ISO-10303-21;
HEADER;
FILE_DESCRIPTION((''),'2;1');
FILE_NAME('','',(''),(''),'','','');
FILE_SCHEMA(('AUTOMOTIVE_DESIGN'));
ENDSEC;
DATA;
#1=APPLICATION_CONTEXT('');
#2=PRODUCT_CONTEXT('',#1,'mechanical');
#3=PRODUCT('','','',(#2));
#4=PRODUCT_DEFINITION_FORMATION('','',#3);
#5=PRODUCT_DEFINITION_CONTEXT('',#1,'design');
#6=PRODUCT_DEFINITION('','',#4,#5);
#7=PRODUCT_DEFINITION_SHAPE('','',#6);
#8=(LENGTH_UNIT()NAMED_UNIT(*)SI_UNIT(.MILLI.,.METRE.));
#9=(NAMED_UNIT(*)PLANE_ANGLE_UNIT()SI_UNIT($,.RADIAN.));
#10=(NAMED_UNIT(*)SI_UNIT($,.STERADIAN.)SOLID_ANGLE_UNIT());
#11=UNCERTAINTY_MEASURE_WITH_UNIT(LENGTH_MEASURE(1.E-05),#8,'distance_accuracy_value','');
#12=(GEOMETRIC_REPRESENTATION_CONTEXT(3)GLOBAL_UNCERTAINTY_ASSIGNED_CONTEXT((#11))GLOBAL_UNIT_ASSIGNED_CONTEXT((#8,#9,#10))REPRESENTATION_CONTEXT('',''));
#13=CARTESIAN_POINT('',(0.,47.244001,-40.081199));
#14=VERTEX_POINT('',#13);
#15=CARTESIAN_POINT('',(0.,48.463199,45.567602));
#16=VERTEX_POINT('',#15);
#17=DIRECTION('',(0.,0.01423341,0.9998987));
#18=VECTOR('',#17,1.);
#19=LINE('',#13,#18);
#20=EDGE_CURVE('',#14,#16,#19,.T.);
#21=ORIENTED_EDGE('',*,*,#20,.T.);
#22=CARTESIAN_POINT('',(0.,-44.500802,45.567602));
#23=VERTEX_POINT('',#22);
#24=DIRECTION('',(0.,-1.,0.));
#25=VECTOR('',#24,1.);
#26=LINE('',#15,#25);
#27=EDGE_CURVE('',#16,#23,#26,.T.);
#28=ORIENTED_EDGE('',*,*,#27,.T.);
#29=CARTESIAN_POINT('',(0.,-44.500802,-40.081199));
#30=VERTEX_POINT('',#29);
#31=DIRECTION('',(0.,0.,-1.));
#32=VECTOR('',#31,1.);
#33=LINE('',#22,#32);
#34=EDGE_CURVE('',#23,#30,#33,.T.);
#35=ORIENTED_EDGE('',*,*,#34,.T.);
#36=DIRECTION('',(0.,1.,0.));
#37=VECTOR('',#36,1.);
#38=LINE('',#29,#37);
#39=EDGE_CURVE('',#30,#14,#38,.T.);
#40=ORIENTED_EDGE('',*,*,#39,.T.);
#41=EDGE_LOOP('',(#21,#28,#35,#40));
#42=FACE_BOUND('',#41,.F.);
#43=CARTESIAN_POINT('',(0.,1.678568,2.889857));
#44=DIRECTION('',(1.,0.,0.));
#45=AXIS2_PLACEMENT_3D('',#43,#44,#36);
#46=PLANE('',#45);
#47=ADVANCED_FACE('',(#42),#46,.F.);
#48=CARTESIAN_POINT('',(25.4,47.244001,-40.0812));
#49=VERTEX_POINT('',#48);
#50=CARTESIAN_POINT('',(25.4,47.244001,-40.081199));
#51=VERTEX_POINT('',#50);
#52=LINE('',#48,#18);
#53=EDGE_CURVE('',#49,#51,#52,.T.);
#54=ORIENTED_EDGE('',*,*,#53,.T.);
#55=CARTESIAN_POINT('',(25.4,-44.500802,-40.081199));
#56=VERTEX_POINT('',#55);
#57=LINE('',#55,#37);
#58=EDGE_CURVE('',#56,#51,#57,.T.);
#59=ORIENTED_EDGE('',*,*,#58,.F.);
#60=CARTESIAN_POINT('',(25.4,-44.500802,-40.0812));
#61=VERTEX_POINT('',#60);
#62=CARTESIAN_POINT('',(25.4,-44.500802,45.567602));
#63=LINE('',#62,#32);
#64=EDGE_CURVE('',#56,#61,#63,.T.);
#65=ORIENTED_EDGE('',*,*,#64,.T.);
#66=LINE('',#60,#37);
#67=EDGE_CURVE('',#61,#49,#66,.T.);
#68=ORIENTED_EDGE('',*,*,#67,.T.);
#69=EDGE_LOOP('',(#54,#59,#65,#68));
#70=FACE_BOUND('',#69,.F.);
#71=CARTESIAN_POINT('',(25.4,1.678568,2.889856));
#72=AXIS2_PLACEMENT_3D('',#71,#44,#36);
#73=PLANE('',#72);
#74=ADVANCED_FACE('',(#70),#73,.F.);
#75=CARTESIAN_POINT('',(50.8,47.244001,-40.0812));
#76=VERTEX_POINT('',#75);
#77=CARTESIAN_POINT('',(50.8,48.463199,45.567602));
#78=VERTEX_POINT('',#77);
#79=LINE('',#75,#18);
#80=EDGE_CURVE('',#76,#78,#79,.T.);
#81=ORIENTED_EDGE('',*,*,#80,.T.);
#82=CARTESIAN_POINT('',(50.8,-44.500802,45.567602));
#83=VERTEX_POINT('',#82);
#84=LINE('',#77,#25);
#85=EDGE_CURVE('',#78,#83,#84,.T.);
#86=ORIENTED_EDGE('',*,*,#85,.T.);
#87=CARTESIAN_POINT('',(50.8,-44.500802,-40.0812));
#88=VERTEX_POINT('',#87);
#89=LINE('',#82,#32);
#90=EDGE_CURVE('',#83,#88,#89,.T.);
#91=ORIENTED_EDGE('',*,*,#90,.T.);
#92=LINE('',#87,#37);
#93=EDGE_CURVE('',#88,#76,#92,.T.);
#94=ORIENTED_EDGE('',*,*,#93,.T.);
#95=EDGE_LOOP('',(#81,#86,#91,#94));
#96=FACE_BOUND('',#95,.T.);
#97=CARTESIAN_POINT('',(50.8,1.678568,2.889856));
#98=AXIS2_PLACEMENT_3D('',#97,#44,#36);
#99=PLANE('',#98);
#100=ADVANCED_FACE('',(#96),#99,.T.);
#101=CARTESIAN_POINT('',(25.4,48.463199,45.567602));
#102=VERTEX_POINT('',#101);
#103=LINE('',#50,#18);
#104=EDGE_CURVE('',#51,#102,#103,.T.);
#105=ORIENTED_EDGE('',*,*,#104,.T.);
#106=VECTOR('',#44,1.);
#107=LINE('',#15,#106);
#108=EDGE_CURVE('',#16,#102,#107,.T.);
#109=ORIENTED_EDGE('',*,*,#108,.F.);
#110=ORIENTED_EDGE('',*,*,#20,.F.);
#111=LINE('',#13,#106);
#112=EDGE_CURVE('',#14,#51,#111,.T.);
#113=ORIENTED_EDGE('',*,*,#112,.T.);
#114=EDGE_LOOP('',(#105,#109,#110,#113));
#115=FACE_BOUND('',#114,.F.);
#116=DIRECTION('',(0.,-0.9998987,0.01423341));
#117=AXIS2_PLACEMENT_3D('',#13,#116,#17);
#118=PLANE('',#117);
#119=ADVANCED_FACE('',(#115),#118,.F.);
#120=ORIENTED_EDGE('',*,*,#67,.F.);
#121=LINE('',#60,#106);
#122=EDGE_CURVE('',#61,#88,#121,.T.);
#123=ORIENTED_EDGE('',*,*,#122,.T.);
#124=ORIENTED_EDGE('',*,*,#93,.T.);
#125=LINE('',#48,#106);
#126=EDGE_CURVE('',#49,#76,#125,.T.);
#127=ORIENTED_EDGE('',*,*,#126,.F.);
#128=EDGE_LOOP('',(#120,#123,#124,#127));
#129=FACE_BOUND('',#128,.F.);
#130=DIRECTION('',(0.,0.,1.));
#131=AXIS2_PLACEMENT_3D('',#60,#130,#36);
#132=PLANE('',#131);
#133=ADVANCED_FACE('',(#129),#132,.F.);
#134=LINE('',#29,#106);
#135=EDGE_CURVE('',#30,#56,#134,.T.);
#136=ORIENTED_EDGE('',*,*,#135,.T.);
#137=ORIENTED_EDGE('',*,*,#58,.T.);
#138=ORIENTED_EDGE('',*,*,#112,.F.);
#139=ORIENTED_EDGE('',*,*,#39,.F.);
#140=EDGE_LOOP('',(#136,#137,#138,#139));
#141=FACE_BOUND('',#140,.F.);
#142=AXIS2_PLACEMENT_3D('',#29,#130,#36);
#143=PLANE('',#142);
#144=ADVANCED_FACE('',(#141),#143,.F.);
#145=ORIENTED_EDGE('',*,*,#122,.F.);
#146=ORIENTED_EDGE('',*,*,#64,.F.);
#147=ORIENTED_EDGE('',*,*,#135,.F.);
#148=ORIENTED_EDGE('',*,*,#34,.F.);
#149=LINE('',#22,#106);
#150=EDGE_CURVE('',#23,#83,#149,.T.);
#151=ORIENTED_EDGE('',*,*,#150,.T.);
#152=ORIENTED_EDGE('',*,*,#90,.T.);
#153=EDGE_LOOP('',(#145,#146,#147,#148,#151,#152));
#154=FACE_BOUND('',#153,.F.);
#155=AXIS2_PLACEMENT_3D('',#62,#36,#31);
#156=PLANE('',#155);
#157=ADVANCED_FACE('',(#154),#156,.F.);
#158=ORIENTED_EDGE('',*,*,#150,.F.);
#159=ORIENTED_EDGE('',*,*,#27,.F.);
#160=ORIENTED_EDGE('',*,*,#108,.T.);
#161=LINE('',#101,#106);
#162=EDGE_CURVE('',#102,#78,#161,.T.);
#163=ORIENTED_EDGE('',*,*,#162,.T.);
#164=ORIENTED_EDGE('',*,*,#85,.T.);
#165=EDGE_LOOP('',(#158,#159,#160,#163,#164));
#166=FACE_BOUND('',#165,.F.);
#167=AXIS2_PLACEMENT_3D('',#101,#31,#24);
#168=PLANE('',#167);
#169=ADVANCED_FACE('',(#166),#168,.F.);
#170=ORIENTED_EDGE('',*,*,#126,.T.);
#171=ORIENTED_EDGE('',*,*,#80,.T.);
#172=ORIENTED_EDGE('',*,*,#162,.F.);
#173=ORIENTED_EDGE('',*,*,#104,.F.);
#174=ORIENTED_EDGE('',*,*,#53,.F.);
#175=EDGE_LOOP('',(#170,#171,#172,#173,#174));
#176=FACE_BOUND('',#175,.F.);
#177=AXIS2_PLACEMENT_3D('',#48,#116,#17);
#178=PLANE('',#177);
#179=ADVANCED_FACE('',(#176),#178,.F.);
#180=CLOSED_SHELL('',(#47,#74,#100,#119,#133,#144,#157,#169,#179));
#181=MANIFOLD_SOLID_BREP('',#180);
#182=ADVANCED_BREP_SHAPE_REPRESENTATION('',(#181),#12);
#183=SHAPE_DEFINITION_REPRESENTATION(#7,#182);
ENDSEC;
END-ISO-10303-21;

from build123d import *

# Parameters (mm, degrees)
F1_DEPTH = 25.4
F2_DEPTH = 25.4


with BuildPart() as f1:
    # F0 (on Right) → F1 (new body)
    with BuildSketch(Plane.YZ):
        Polygon((48.463199, 45.567602), (-44.500802, 45.567602), (-44.500802, -40.081199), (47.244001, -40.081199), align=None)
    extrude(amount=F1_DEPTH)

    # F1_face (on face) → F2 (join)
    with BuildSketch(Plane(origin=(25.4, 1.67707, 2.837424), x_dir=(0, 1, 0), z_dir=(1, 0, 0))):
        Polygon((46.786129, 42.730178), (-46.177872, 42.730178), (-46.177872, -42.918624), (45.566931, -42.918624), align=None)
    extrude(amount=F2_DEPTH)


solid = f1.part
